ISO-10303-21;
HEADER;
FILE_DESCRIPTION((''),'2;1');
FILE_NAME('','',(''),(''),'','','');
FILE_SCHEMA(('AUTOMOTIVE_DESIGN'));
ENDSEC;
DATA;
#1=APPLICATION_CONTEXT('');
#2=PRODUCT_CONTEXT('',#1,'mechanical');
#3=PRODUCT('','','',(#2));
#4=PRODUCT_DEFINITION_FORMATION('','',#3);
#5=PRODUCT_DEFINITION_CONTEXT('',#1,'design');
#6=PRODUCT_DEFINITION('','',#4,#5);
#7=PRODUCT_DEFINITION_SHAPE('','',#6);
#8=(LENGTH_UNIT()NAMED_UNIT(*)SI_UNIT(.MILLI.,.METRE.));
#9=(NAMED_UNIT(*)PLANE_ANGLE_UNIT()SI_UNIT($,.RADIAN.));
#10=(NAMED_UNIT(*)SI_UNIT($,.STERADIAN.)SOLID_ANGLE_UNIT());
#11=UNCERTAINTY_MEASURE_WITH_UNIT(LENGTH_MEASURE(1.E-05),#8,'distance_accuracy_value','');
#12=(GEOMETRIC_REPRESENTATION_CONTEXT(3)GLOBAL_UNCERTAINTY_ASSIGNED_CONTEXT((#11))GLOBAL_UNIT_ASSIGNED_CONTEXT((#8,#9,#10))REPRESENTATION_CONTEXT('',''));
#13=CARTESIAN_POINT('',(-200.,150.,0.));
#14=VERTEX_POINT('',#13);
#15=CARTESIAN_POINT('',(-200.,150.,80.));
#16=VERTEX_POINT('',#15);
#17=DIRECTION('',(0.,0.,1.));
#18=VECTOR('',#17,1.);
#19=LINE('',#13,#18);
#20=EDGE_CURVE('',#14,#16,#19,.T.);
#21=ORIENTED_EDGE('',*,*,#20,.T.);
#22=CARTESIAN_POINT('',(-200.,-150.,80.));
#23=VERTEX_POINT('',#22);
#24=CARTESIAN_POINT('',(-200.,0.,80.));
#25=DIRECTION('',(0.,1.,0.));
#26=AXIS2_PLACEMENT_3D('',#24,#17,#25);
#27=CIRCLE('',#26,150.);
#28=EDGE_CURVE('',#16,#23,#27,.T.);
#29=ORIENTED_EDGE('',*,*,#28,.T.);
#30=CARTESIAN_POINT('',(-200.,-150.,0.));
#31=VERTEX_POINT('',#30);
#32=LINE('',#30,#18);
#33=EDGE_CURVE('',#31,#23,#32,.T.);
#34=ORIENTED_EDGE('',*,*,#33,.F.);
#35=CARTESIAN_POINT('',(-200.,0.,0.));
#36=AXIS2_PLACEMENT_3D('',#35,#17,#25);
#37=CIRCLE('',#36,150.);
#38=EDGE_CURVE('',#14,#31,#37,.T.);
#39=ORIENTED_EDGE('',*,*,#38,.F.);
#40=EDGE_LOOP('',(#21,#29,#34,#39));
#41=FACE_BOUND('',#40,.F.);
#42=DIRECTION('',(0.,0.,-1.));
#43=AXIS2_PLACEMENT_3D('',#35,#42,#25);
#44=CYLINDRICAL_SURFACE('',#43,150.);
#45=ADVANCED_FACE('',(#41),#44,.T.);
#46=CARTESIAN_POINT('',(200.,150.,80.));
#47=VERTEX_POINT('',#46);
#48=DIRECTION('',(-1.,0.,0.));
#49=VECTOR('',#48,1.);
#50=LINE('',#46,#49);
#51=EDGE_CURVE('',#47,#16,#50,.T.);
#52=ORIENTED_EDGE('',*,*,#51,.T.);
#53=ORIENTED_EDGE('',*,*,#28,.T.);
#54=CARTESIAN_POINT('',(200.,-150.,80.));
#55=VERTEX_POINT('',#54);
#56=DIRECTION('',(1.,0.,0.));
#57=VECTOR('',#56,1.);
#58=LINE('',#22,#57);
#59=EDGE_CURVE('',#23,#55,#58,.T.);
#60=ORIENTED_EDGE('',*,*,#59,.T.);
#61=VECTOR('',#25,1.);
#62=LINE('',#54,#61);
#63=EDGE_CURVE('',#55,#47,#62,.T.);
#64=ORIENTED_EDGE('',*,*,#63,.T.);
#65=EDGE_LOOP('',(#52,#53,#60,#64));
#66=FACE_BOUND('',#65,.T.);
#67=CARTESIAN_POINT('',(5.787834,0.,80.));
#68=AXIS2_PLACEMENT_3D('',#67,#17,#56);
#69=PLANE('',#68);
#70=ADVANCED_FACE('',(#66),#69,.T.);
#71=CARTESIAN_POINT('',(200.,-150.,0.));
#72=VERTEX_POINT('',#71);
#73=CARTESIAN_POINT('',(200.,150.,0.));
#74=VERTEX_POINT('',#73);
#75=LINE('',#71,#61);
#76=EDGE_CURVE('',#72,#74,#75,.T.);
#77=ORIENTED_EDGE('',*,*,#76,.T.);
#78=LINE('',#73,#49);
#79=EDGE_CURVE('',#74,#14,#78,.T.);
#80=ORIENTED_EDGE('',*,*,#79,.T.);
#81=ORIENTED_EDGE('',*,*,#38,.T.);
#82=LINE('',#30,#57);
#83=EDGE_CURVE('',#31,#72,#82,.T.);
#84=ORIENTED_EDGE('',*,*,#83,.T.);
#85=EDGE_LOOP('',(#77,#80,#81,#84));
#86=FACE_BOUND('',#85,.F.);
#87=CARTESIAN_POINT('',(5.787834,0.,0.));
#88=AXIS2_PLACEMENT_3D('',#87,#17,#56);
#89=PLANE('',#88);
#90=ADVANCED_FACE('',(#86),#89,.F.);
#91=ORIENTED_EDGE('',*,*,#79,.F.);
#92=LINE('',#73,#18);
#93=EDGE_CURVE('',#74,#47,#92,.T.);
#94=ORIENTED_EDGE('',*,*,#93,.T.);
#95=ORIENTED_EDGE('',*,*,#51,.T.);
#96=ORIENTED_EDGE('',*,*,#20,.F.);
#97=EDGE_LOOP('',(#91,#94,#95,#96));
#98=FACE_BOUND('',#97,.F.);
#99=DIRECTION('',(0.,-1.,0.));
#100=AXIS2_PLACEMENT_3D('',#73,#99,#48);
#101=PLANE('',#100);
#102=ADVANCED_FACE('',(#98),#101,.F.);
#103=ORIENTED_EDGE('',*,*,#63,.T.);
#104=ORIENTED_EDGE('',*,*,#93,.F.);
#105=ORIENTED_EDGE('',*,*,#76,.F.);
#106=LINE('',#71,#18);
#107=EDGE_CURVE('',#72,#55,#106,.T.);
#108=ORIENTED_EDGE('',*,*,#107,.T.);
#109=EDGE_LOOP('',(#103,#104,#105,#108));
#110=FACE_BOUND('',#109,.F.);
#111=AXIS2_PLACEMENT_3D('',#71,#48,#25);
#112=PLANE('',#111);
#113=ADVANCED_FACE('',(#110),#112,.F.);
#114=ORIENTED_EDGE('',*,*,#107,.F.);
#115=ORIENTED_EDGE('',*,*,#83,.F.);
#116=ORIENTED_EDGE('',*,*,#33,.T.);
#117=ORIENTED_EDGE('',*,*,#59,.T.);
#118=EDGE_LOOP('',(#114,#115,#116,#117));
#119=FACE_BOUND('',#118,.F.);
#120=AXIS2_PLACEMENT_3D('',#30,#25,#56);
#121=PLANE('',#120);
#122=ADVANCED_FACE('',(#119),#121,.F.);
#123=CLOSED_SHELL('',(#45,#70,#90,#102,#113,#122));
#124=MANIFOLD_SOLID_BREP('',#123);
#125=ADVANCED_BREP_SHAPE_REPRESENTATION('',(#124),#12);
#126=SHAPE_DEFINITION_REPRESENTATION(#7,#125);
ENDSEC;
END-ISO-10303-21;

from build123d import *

# Parameters (mm, degrees)
F1_DEPTH = 80


with BuildPart() as f1:
    # F0 (on Top) → F1 (new body)
    with BuildSketch(Plane.XY):
        with BuildLine():
            Line((-200, -150), (200, -150))
            Line((200, -150), (200, 150))
            Line((200, 150), (-200, 150))
            ThreePointArc((-200, 150), (-93.933982822, 106.066017178), (-50, 0))
            ThreePointArc((-50, 0), (-93.933982822, -106.066017178), (-200, -150))
        make_face()
        with BuildLine():
            ThreePointArc((-200, 150), (-350, 0), (-200, -150))
            Line((-200, -150), (-200, 150))
        make_face()
        with BuildLine():
            Line((-200, 150), (-200, -150))
            ThreePointArc((-200, -150), (-93.933982822, -106.066017178), (-50, 0))
            ThreePointArc((-50, 0), (-93.933982822, 106.066017178), (-200, 150))
        make_face()
    extrude(amount=F1_DEPTH)


solid = f1.part
